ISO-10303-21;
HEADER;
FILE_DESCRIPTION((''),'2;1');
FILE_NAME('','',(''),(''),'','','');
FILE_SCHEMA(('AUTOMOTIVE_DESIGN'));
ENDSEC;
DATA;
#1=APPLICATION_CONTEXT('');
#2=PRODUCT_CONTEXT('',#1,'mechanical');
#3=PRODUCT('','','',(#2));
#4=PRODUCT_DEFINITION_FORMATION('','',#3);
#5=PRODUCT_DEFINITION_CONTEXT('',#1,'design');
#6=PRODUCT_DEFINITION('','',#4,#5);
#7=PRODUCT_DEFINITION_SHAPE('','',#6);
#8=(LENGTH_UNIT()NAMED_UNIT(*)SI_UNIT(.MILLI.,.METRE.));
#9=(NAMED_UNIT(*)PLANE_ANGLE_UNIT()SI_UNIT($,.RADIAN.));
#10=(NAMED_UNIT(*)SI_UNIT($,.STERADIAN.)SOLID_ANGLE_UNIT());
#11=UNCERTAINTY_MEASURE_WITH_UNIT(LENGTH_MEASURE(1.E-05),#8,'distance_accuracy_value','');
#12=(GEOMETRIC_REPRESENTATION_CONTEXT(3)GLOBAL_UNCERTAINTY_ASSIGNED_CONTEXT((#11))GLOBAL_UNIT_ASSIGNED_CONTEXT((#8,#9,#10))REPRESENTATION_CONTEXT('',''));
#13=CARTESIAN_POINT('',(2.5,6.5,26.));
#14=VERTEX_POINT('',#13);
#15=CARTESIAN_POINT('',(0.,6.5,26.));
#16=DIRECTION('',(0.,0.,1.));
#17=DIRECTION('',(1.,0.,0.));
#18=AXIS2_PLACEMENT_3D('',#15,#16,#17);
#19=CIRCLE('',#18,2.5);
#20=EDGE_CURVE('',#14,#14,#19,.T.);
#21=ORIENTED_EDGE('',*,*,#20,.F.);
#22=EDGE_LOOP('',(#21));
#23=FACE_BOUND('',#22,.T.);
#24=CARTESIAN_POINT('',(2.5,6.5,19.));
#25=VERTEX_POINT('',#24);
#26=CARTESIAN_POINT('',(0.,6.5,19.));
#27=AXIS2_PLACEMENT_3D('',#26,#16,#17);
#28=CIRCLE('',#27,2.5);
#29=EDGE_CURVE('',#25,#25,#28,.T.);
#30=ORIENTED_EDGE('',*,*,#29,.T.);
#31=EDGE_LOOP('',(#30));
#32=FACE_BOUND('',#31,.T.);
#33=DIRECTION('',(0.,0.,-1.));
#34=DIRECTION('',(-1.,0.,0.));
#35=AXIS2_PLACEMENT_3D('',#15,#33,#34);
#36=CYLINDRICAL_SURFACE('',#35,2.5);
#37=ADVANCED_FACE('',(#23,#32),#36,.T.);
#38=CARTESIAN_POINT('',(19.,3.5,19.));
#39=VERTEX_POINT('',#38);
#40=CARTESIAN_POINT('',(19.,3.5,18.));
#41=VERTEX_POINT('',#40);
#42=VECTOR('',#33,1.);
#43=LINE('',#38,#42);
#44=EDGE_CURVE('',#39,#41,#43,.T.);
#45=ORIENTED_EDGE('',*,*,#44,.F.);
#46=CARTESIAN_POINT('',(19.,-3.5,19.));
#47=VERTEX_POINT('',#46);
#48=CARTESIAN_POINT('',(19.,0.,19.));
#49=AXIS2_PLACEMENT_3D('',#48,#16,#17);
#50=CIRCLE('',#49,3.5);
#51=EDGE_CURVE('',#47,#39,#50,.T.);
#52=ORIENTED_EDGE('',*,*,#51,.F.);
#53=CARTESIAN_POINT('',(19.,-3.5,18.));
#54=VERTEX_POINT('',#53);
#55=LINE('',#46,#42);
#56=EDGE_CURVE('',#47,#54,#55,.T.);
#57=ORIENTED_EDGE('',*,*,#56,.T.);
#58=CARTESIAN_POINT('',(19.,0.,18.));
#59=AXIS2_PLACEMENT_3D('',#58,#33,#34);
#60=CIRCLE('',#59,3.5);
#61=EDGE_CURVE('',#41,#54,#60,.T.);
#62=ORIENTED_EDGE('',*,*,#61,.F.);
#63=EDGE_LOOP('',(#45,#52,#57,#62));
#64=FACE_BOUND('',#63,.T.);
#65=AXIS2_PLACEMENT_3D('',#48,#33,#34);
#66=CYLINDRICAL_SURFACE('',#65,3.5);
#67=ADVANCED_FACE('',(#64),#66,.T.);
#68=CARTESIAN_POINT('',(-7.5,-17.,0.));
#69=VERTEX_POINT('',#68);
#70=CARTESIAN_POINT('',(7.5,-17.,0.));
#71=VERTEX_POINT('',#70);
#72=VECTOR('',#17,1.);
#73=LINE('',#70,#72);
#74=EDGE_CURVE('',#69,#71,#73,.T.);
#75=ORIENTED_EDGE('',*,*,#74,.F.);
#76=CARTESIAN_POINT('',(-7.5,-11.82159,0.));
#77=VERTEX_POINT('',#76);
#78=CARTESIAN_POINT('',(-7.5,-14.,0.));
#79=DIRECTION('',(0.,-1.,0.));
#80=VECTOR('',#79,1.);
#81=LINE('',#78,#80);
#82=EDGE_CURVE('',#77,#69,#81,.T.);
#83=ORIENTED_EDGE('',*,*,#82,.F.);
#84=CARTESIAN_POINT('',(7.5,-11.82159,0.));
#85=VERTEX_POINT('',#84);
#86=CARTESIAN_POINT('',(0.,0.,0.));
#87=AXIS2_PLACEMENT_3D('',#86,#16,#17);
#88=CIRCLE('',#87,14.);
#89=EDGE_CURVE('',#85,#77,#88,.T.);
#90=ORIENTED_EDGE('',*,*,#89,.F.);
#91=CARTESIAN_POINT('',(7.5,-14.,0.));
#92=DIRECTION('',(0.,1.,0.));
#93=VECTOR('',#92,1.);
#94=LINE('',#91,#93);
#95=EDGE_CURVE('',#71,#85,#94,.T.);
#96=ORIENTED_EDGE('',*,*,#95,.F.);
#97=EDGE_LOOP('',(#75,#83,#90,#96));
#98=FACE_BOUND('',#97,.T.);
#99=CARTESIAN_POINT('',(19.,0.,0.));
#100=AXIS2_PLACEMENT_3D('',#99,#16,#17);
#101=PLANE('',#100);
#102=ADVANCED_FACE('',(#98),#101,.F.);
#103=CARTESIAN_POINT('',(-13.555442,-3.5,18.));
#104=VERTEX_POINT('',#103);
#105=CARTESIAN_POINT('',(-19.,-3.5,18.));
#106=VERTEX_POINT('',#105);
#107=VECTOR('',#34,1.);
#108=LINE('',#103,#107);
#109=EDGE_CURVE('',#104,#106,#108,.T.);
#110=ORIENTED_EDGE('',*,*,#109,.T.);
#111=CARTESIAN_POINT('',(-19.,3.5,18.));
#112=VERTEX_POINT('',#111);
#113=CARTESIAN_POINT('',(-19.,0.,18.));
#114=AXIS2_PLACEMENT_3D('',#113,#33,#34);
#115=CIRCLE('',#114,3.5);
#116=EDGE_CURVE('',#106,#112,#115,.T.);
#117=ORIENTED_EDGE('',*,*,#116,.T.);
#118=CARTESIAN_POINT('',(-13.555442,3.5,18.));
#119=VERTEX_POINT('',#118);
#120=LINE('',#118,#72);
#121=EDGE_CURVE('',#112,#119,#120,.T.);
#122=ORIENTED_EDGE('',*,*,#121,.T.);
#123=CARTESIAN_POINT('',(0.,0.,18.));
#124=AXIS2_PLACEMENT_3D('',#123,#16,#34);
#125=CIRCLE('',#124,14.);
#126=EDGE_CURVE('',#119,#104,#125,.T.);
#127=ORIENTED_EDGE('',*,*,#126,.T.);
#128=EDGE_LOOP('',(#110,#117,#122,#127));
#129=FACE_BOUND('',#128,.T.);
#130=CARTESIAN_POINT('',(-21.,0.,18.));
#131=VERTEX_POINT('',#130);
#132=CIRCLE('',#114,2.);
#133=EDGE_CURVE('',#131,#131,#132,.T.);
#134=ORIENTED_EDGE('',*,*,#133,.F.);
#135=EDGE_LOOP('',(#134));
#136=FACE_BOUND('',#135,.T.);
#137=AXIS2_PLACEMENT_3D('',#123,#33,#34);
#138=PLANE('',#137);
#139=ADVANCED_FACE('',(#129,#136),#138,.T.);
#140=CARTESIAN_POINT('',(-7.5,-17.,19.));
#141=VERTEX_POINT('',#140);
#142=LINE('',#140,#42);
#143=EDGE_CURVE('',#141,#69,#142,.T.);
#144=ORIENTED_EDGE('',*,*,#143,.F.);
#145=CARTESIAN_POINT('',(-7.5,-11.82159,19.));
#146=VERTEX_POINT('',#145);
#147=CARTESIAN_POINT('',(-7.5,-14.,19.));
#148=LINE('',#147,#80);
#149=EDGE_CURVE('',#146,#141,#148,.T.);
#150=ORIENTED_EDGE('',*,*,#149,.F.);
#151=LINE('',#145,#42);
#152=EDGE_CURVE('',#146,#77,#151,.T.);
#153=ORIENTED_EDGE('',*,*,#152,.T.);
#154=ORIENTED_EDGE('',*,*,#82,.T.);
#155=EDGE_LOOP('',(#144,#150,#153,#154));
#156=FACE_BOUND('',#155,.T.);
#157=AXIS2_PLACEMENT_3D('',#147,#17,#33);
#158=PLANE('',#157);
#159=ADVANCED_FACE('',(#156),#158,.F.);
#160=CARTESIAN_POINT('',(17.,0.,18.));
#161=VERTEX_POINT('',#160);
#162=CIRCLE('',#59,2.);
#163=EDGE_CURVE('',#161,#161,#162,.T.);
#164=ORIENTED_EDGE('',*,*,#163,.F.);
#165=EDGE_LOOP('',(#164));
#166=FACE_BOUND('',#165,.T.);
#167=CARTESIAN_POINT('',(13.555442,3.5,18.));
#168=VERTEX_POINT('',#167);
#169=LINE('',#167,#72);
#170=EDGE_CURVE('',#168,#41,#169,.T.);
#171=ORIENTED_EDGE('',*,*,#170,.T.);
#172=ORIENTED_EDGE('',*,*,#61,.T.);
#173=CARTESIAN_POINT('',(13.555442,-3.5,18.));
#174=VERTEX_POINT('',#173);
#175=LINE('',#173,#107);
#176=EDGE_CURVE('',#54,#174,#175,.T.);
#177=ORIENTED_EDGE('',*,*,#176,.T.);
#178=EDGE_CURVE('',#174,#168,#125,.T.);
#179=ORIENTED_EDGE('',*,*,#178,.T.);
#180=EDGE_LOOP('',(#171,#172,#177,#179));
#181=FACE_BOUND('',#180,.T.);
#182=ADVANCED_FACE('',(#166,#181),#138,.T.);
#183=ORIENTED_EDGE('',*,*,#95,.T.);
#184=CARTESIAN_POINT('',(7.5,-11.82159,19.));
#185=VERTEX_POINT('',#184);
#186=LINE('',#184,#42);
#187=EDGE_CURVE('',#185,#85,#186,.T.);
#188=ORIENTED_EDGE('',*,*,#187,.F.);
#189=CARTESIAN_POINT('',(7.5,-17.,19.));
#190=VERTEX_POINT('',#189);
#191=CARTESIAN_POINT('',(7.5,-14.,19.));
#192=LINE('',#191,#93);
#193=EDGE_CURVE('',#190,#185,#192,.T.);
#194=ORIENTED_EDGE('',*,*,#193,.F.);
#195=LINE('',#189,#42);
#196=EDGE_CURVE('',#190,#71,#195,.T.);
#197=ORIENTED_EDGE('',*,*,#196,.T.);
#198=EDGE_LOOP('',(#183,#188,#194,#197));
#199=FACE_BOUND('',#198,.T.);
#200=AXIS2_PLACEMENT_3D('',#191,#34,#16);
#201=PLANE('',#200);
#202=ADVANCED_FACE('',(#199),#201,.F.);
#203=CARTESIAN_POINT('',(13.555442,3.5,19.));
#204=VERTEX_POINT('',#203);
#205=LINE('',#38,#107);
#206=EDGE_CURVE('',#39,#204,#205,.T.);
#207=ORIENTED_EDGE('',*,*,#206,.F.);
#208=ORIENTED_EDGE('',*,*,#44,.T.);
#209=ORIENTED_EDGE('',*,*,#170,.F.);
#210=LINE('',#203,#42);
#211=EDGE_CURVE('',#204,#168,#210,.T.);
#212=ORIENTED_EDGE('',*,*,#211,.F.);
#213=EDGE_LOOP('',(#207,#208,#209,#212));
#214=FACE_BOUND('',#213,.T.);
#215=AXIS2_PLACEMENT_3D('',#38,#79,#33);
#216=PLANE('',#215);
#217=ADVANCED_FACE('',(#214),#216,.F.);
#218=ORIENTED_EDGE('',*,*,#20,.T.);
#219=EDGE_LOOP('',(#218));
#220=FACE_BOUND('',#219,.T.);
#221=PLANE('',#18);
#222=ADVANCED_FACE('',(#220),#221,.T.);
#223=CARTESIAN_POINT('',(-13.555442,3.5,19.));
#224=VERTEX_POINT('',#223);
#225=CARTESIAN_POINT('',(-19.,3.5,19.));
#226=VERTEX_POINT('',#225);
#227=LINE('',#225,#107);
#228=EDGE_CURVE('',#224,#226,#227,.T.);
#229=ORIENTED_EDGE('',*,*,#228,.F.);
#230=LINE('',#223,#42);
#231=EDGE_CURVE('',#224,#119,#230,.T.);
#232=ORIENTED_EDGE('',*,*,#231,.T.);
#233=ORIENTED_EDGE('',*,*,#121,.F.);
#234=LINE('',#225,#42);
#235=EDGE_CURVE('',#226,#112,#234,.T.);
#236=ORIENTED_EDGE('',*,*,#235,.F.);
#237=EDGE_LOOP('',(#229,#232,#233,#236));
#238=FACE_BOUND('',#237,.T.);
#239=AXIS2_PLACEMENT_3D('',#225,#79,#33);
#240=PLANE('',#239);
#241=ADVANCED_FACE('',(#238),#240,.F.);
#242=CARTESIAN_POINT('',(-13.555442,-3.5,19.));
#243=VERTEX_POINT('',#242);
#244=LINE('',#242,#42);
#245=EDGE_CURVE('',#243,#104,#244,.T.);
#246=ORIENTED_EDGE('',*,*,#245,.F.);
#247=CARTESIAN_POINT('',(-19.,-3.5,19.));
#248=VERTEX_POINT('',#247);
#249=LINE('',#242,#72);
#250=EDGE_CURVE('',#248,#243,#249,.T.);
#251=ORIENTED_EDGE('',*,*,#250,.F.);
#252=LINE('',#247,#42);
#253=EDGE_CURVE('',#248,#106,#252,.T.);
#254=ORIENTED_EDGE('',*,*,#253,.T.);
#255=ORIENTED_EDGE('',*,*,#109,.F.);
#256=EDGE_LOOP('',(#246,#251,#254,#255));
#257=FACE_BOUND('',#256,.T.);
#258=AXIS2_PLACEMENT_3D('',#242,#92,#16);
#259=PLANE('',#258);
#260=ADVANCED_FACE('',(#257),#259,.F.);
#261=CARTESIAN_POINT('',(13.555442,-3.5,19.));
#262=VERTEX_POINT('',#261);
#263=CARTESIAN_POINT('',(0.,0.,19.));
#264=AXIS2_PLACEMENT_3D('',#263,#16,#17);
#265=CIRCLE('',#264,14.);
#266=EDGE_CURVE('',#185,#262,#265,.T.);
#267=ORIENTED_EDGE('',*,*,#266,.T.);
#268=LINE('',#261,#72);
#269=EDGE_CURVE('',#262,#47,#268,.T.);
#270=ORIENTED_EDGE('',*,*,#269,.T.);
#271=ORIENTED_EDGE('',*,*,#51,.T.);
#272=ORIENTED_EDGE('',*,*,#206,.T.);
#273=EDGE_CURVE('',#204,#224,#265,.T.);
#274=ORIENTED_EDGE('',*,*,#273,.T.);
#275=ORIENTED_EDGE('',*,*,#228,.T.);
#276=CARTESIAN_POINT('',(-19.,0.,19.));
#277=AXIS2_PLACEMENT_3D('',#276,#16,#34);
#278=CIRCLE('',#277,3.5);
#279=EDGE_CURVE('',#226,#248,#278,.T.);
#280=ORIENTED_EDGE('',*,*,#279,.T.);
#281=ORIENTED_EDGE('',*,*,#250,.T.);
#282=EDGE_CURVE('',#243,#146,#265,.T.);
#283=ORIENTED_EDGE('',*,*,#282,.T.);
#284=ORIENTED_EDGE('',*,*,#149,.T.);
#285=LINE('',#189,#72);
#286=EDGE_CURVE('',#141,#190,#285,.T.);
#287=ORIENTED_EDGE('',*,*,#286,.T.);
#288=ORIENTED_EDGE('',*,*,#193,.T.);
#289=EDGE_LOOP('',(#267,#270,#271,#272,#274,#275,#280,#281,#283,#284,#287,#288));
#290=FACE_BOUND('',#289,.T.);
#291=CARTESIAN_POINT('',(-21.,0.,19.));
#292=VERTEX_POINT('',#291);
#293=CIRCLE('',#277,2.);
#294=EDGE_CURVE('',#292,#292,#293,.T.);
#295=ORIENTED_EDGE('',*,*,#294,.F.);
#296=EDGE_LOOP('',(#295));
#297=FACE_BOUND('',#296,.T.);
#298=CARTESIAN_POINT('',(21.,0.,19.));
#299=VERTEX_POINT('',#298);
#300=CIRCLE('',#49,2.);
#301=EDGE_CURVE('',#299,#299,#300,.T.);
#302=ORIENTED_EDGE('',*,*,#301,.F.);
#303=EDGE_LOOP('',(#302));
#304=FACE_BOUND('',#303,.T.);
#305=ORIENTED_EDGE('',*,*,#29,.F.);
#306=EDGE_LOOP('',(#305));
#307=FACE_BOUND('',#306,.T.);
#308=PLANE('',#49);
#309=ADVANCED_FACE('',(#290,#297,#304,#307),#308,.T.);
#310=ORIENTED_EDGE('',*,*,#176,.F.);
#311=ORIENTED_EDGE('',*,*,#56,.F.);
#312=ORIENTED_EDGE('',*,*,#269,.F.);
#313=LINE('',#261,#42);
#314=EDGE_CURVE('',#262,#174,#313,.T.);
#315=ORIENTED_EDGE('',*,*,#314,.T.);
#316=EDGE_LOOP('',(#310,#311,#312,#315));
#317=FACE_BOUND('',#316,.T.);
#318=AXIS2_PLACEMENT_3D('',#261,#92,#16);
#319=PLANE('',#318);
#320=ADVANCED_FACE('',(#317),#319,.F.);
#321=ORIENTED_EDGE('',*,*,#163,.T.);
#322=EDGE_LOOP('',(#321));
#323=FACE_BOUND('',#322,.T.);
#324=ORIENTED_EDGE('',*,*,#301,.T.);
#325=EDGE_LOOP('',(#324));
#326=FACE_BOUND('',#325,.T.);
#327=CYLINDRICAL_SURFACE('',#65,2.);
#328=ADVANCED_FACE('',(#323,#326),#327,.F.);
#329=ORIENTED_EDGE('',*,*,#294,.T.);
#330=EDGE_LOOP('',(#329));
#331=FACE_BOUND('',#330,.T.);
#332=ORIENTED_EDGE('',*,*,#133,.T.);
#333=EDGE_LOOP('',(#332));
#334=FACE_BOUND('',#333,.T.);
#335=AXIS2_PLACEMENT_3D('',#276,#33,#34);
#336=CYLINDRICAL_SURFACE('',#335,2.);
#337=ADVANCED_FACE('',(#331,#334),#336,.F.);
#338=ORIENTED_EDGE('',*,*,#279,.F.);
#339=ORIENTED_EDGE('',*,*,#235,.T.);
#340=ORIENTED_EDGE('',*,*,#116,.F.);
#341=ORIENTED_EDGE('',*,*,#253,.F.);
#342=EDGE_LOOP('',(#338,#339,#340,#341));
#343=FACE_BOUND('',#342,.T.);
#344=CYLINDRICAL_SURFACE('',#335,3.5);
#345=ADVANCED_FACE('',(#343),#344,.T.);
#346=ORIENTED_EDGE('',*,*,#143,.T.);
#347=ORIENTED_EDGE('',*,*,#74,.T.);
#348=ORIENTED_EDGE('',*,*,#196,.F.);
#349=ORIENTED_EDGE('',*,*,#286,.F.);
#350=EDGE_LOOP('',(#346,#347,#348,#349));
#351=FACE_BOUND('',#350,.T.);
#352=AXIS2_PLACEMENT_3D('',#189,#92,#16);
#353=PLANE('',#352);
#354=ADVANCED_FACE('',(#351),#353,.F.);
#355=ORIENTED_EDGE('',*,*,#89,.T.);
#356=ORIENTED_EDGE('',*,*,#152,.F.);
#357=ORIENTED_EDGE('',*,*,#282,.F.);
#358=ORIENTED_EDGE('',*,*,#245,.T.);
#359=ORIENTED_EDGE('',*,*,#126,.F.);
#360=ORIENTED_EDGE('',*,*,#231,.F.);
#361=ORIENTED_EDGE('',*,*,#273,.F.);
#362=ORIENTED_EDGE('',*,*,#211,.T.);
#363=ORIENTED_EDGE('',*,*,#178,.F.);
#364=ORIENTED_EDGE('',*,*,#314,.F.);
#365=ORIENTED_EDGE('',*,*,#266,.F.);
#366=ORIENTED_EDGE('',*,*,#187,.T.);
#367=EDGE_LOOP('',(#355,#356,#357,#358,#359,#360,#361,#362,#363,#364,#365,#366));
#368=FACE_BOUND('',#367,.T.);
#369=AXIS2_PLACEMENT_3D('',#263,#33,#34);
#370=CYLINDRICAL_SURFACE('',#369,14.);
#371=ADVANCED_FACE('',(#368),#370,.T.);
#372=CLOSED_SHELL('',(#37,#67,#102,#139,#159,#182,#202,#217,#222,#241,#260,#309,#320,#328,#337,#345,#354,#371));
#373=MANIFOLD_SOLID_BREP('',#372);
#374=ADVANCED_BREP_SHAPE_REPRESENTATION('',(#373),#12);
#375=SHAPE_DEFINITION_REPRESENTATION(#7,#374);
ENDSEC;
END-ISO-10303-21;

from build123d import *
from build123d.topology import SkipClean

# Parameters (mm, degrees)
ESBO_O1_R                = 2
RESSALTO_EXTRUS_O1_DEPTH = 19
CORTE_EXTRUS_O1_DEPTH    = 18
ESBO_O3_R                = 2.5
RESSALTO_EXTRUS_O2_DEPTH = 7


with BuildPart() as part:
    # Esboço1 → Ressalto-extrusão1 (new body)
    with BuildSketch(Plane.XY):
        with BuildLine():
            Line((19, 3.5), (13.555441712, 3.5))
            ThreePointArc((13.555441712, 3.5), (0, 14), (-13.555441712, 3.5))
            Line((-13.555441712, 3.5), (-19, 3.5))
            ThreePointArc((-19, 3.5), (-22.5, 0), (-19, -3.5))
            Line((-19, -3.5), (-13.555441712, -3.5))
            ThreePointArc((-13.555441712, -3.5), (-11.320120282, -8.237407166), (-7.5, -11.821590418))
            Line((-7.5, -11.821590418), (-7.5, -14))
            Line((-7.5, -14), (-7.5, -17))
            Line((-7.5, -17), (7.5, -17))
            Line((7.5, -17), (7.5, -14))
            Line((7.5, -14), (7.5, -11.821590418))
            ThreePointArc((7.5, -11.821590418), (11.320120282, -8.237407166), (13.555441712, -3.5))
            Line((13.555441712, -3.5), (19, -3.5))
            ThreePointArc((19, -3.5), (22.5, 0), (19, 3.5))
        make_face()
        with Locations((19, 0)):
            Circle(ESBO_O1_R, mode=Mode.SUBTRACT)
        with Locations(Location((-19, 0, 0), (0, 0, 180))):
            Circle(ESBO_O1_R, mode=Mode.SUBTRACT)
    extrude(amount=RESSALTO_EXTRUS_O1_DEPTH)

    # Esboço2 → Corte-extrusão1 (cut)
    with SkipClean():  # the faces are left unmerged after this step: merging them gives an invalid solid
        with BuildSketch(Plane(origin=(0, 0, 0), x_dir=(-1, 0, 0), z_dir=(0, 0, -1))):
            with BuildLine():
                Line((13.555441712, 3.5), (23.80699558, 3.5))
                Line((23.80699558, 3.5), (23.80699558, -3.5))
                Line((23.80699558, -3.5), (13.555441712, -3.5))
                ThreePointArc((13.555441712, -3.5), (14, 0), (13.555441712, 3.5))
            make_face()
            with BuildLine():
                Line((-13.555441712, 3.5), (-24.760546325, 3.5))
                Line((-24.760546325, 3.5), (-24.760546325, -3.5))
                Line((-24.760546325, -3.5), (-13.555441712, -3.5))
                ThreePointArc((-13.555441712, -3.5), (-14, 0), (-13.555441712, 3.5))
            make_face()
        extrude(amount=-CORTE_EXTRUS_O1_DEPTH, mode=Mode.SUBTRACT)

    # Esboço3 → Ressalto-extrusão2 (add)
    with SkipClean():  # the faces are left unmerged after this step: merging them gives an invalid solid
        with BuildSketch(Plane.XY.offset(19)):
            with Locations((0, 6.5)):
                Circle(ESBO_O3_R)
        extrude(amount=RESSALTO_EXTRUS_O2_DEPTH)


solid = part.part
